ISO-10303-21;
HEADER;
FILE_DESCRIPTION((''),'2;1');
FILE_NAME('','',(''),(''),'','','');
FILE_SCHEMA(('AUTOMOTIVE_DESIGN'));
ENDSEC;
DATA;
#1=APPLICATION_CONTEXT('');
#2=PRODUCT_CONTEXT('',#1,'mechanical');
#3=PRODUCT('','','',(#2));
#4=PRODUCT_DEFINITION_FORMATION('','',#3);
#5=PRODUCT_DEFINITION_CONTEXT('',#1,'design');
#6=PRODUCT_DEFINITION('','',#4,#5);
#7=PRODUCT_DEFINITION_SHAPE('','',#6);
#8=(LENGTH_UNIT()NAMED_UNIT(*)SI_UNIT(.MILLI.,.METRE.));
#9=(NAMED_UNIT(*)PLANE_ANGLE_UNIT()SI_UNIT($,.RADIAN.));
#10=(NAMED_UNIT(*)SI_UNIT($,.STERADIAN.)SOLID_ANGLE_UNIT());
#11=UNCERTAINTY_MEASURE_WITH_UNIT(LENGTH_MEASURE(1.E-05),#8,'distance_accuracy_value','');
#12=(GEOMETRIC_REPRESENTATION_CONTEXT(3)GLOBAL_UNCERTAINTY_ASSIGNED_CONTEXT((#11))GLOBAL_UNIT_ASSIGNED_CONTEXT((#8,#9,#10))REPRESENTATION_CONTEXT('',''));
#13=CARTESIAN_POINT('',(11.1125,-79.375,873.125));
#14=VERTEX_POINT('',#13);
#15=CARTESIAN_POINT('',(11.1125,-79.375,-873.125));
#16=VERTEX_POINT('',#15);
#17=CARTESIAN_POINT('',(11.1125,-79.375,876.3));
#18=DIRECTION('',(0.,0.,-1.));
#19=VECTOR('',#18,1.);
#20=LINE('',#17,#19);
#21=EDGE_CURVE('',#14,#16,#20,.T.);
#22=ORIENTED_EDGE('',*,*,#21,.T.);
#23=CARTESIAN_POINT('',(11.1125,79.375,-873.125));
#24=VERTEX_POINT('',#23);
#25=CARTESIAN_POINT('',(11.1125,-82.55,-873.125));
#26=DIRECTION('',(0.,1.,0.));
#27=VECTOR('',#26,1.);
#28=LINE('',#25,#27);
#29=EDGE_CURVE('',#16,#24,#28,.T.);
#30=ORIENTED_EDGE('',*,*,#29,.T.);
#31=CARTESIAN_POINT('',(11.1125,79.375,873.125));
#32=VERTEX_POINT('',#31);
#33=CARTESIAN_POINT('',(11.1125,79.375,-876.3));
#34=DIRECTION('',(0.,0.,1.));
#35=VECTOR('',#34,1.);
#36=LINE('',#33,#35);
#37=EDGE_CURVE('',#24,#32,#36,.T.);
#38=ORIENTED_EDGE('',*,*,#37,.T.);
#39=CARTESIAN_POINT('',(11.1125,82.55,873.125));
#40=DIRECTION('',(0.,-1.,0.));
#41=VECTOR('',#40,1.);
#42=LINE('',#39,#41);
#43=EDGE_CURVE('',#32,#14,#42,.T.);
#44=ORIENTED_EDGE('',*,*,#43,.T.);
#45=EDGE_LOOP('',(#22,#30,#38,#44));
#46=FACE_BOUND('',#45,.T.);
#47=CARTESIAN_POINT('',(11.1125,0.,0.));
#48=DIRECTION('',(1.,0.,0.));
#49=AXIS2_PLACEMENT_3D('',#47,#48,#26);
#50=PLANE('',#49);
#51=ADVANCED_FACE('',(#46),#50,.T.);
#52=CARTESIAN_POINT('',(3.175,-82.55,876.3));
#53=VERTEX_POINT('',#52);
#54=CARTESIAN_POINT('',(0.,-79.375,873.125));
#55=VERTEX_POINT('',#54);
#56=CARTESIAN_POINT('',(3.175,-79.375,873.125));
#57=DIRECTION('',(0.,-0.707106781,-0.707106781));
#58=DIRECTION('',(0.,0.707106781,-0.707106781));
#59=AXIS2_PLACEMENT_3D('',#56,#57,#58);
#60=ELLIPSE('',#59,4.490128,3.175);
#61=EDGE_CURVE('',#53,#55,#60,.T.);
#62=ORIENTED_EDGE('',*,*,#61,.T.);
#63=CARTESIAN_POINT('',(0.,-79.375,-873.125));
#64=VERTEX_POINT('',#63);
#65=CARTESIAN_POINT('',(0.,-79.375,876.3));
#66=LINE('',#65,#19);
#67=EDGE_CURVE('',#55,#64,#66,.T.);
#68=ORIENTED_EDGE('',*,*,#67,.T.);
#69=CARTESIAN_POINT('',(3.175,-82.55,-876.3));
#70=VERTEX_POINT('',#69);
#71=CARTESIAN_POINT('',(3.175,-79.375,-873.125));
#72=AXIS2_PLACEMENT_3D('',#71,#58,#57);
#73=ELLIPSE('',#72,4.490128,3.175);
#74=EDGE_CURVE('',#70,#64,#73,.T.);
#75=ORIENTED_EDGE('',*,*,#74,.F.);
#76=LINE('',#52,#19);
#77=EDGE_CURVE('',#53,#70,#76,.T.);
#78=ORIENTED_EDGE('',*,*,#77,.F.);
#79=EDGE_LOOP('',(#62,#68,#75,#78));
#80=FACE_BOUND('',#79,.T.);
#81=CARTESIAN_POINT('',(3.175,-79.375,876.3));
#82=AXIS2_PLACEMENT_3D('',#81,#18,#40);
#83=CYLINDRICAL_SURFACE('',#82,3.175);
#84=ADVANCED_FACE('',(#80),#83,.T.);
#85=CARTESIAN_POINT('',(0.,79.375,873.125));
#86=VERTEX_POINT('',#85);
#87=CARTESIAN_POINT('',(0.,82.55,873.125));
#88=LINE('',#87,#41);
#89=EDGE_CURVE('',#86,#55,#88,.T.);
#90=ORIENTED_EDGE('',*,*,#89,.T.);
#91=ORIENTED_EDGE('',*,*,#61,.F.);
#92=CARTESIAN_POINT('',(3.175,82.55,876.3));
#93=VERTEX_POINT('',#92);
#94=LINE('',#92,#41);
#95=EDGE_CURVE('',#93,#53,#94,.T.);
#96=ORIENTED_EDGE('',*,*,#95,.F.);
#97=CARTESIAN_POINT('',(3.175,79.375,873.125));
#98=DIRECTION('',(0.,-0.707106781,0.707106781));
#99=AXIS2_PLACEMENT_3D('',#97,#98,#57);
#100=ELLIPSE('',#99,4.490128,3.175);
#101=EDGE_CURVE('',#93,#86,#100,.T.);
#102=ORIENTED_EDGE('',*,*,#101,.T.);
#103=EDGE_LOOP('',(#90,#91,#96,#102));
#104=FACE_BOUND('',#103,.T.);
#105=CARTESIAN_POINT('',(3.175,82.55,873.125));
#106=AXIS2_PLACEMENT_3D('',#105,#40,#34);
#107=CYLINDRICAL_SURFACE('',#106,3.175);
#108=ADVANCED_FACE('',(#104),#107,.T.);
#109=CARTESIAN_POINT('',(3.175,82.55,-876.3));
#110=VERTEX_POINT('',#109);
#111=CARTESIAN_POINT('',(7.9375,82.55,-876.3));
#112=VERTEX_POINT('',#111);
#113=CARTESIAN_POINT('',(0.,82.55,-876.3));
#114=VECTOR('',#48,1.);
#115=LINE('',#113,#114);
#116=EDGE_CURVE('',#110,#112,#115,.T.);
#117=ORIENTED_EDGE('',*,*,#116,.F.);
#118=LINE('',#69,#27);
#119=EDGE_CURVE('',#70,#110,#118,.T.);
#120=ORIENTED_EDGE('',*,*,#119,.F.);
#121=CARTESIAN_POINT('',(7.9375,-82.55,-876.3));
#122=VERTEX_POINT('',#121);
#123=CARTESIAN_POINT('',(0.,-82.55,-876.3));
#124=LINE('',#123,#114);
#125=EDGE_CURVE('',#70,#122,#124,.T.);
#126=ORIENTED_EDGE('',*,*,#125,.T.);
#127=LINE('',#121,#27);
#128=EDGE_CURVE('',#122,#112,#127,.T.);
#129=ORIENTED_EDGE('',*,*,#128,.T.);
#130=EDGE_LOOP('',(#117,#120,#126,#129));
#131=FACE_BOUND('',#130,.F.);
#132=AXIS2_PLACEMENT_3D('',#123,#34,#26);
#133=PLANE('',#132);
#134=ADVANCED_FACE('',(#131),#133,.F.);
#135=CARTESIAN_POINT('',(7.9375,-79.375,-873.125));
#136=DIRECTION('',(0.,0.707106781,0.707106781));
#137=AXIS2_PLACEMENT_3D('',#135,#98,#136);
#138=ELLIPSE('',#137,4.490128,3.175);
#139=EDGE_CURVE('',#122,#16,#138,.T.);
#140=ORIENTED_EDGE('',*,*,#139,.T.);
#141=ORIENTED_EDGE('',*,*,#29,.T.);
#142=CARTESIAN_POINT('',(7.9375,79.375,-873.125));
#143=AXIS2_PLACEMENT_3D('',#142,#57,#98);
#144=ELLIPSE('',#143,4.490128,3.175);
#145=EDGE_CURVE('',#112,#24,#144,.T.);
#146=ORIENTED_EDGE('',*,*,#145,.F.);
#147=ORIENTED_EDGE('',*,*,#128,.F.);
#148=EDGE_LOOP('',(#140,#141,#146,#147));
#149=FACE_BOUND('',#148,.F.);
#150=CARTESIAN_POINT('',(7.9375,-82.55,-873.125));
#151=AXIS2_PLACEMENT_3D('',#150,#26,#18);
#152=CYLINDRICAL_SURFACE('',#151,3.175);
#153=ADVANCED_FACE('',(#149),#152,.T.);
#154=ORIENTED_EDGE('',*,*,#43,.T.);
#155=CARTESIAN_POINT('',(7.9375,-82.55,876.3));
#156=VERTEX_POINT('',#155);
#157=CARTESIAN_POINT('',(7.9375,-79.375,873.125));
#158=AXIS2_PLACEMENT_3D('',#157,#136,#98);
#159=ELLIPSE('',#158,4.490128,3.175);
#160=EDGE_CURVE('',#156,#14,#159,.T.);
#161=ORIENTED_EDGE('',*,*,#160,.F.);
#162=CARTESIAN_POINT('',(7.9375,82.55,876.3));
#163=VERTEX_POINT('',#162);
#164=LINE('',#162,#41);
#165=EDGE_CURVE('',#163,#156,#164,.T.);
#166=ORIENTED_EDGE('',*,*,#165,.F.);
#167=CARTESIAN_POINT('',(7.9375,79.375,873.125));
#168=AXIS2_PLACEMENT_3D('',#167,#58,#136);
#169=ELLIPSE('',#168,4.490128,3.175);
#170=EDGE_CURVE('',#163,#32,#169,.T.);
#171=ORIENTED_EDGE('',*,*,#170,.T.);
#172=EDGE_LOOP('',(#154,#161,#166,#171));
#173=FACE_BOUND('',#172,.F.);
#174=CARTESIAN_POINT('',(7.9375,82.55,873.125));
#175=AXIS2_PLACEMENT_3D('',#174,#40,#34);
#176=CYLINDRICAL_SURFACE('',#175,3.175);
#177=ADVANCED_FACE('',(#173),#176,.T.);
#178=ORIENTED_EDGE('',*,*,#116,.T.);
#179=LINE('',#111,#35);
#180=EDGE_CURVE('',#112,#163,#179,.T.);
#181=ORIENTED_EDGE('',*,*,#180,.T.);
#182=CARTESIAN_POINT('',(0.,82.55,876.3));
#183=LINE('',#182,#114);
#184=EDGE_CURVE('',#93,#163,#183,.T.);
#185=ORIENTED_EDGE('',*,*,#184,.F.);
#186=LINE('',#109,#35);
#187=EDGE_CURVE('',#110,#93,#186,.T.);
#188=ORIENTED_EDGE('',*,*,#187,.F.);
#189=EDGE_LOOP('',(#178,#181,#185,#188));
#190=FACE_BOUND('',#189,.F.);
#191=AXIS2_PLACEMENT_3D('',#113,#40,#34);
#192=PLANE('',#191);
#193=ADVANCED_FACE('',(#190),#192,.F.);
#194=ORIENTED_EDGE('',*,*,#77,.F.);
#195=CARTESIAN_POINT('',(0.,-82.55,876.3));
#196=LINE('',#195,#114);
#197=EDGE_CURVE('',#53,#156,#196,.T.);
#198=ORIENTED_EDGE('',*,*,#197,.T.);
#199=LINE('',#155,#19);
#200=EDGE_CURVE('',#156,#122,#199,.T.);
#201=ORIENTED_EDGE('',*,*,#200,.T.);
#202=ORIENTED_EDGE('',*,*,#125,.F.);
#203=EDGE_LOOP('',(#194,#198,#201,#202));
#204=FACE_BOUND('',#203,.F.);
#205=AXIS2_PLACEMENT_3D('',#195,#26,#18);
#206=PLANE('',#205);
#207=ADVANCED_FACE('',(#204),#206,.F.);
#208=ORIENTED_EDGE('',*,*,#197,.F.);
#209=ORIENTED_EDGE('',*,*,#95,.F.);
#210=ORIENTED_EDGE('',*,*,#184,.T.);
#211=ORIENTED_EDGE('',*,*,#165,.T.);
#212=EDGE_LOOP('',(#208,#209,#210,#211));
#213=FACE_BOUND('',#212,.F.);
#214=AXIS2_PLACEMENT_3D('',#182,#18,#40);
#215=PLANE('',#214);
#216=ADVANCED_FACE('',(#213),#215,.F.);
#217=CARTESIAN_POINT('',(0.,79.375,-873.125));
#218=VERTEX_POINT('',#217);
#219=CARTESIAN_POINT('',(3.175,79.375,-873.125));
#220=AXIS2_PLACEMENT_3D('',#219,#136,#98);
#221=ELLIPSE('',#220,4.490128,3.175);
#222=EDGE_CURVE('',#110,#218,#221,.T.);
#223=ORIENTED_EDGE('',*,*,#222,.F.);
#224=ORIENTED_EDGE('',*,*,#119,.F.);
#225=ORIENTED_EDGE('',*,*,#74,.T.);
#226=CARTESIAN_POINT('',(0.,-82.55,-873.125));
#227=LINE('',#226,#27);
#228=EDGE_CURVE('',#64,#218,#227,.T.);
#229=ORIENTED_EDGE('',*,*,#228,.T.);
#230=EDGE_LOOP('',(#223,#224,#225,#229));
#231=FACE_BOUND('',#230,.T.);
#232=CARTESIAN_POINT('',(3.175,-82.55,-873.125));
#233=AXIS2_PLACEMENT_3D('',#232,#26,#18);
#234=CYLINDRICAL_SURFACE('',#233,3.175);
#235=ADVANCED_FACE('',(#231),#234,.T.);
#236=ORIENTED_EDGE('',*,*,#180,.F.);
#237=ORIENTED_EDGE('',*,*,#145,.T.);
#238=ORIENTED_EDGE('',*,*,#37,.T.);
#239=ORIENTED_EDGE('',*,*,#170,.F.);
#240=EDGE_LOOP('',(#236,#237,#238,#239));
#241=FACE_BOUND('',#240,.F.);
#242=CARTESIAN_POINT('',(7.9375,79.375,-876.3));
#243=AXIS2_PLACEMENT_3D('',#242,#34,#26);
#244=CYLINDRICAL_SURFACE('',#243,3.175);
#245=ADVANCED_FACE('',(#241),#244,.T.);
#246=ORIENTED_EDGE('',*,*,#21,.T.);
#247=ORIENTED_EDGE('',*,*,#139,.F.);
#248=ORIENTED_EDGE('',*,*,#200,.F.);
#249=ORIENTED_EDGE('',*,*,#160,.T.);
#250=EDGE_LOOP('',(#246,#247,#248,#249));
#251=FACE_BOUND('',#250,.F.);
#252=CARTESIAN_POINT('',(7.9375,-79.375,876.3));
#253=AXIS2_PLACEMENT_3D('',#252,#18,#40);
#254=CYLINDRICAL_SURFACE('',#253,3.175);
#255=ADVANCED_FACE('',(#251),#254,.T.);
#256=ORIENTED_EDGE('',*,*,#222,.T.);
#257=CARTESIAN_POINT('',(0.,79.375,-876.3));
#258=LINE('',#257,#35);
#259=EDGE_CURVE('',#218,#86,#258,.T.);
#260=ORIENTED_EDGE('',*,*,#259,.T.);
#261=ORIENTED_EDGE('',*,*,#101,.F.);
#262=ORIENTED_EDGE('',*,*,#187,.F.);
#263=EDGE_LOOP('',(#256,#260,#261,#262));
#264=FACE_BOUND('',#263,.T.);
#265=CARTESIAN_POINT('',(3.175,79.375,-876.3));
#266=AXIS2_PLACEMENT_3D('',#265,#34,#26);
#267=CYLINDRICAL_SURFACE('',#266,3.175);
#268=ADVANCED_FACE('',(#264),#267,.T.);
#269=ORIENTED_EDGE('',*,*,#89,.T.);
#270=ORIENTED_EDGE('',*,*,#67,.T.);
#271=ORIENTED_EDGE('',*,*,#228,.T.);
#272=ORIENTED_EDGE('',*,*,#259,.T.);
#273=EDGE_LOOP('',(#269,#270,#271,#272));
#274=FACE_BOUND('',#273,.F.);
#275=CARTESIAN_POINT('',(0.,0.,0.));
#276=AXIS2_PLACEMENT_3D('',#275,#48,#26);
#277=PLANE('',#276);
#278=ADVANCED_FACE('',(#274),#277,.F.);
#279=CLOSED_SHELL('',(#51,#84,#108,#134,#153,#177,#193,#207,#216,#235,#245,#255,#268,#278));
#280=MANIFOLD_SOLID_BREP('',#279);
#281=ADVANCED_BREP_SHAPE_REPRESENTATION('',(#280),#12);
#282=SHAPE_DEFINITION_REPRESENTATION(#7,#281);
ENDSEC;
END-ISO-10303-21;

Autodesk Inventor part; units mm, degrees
ref_plane "YZ Plane" through (0, 0, 0) normal (1, 0, 0) x (0, 1, 0)
ref_plane "XZ Plane" through (0, 0, 0) normal (0, 1, 0) x (-1, 0, 0)
ref_plane "XY Plane" through (0, 0, 0) normal (0, 0, 1) x (1, 0, 0)
sketch "Sketch1" plane through (0, 0, 0) normal (1, 0, 0) x (0, 1, 0)
  line L0 (-82.55, 876.3) -> (-82.55, -876.3)
  line L1 (-82.55, -876.3) -> (82.55, -876.3)
  line L2 (82.55, -876.3) -> (82.55, 876.3)
  line L3 (82.55, 876.3) -> (-82.55, 876.3)
  line L4 (-82.55, 876.3) -> (82.55, -876.3) construction
  line L5 (-82.55, -876.3) -> (82.55, 876.3) construction
  point P0 (0, 0)
  dimension "d0" = 1752.6
  dimension "d1" = 165.1
extrude "Extrusion1" add sketch "Sketch1" along normal blind 11.1125
fillet "Fillet1" radius 3.175 8 edges at (11.1125, 82.55, 0) (11.1125, 0, 876.3) (0, -82.55, 0) (11.1125, 0, -876.3) (11.1125, -82.55, 0) (0, 0, 876.3) (0, 82.55, 0) (0, 0, -876.3)
properties part number "Home Depot Composite Slat 69 in" material "Wood (Cherry)"
